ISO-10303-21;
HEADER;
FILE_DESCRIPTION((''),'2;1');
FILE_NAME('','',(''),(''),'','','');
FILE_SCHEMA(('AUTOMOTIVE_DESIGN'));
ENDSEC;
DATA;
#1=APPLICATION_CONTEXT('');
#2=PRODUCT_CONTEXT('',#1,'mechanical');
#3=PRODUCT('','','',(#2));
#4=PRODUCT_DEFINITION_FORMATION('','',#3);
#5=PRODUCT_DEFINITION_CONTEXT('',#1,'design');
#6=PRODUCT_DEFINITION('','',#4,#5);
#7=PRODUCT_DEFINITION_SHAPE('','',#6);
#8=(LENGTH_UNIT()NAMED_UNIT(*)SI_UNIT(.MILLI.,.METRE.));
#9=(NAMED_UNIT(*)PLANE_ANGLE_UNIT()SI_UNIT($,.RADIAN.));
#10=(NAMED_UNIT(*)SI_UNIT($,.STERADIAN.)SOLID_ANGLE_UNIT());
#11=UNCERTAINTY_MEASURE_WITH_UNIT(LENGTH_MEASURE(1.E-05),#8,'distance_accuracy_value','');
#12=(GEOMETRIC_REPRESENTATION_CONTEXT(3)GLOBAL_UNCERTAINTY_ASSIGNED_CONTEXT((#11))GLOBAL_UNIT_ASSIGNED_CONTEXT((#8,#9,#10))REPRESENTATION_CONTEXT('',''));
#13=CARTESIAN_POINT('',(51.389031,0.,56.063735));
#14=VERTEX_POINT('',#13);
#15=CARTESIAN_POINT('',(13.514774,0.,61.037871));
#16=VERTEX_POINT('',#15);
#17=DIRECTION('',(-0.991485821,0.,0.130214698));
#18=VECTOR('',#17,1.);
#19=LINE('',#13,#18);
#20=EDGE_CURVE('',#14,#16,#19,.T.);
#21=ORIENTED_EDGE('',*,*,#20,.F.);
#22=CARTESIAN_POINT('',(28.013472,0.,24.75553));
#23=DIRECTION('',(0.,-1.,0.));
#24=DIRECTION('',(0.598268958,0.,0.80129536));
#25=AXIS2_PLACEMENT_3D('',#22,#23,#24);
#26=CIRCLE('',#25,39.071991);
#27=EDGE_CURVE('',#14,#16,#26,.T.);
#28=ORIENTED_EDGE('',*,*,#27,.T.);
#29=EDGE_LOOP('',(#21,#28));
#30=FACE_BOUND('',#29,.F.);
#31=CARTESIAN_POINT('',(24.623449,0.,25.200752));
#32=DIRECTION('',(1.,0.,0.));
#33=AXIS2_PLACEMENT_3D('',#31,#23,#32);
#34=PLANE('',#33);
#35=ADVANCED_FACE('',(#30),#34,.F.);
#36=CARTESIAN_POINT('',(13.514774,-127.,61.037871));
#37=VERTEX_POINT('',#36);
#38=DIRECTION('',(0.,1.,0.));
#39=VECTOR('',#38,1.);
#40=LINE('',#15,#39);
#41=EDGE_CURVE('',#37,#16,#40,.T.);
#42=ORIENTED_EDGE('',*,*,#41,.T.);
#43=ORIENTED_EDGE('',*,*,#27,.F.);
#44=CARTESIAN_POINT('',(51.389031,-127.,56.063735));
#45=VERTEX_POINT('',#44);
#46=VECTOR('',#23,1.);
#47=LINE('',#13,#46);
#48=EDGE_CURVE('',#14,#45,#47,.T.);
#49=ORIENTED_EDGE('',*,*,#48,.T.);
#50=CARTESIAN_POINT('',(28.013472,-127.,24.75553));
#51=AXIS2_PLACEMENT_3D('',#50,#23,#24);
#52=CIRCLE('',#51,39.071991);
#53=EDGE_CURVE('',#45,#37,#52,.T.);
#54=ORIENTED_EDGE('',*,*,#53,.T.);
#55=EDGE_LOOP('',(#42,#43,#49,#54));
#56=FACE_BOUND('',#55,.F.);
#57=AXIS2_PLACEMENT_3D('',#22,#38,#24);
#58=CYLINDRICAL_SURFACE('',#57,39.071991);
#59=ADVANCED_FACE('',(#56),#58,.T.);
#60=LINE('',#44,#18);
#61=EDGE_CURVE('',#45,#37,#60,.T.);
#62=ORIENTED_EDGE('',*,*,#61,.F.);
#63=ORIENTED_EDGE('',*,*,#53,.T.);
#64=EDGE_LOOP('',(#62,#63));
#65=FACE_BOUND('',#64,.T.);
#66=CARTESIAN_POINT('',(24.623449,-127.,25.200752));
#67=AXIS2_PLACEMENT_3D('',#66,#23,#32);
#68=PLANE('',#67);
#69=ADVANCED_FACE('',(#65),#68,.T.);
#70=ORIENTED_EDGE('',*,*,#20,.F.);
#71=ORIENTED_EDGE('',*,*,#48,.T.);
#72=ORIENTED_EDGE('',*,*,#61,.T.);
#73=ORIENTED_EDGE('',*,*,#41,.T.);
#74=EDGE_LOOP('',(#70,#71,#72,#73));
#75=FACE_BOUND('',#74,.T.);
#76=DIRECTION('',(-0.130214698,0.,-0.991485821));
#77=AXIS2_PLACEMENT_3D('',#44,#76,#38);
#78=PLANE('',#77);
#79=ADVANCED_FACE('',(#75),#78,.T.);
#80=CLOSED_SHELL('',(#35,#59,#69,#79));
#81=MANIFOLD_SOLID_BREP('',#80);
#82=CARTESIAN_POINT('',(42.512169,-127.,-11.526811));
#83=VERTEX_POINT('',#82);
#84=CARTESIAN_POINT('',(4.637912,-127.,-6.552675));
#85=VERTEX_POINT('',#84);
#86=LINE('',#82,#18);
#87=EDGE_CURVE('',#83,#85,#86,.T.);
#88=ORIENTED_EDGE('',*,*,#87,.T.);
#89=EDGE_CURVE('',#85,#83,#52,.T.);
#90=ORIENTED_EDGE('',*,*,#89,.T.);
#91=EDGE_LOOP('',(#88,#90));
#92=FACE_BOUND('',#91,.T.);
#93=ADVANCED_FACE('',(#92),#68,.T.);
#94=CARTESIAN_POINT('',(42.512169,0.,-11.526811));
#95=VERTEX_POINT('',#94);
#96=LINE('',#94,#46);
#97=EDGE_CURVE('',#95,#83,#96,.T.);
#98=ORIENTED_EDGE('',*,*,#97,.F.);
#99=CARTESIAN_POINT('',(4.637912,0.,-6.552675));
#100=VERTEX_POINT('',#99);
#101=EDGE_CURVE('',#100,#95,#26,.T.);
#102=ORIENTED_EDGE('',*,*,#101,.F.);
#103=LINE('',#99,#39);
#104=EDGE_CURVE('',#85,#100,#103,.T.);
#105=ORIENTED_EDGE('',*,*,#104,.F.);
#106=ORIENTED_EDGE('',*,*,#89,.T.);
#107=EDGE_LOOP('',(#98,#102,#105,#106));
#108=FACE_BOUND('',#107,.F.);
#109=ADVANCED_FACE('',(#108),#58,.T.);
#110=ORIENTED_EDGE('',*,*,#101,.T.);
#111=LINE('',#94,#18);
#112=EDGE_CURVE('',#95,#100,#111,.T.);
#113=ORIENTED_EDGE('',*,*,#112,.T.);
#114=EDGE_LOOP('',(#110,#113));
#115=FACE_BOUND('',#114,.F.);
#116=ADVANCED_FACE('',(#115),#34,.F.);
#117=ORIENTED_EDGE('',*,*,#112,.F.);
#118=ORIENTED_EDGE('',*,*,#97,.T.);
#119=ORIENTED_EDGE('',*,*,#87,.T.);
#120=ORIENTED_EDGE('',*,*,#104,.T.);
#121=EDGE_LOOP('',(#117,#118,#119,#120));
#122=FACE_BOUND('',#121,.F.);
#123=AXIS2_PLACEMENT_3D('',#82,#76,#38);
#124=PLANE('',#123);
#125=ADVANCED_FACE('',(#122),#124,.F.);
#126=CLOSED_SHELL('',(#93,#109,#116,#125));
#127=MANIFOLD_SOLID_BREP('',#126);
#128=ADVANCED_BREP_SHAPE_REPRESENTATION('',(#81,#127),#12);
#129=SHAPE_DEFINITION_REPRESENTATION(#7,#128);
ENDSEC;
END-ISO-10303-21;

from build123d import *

# Parameters (mm, degrees)
F1_DEPTH = 127
F2_W     = 127
F2_H     = 68.1709660135
F3_DEPTH = 58.1727384787


with BuildPart() as f1:
    # F0 (on Front) → F1 (new body)
    with BuildSketch(Plane.XZ):
        with BuildLine():
            Line((42.5121692309, -11.5268108506), (51.3890309777, 56.0637353281))
            ThreePointArc((51.3890309777, 56.0637353281), (-10.7258537568, 29.8432775926), (42.5121692309, -11.5268108506))
        make_face()
    extrude(amount=F1_DEPTH)

    # F2 (on face) → F3 (cut, through all)
    with BuildSketch(Plane(origin=(43.2795192686, 0, -5.6840243308), x_dir=(0, 1, 0), z_dir=(0.9914858206, 0, -0.1302146979))):
        with Locations((-63.5, 28.1925227662)):
            Rectangle(F2_W, F2_H)
        with BuildLine():
            ThreePointArc((-87.3357319513, 29.1190243077), (-47.7013061981, 44.7384004713), (-78.4342339305, 15.2368789933))
            ThreePointArc((-78.4342339305, 15.2368789933), (-81.5932188788, 23.0062555604), (-87.3357319513, 29.1190243077))
        make_face(mode=Mode.SUBTRACT)
        with BuildLine():
            ThreePointArc((-87.3357319513, 29.1190243077), (-81.5932188788, 23.0062555604), (-78.4342339305, 15.2368789933))
            ThreePointArc((-78.4342339305, 15.2368789933), (-47.7013061981, 44.7384004713), (-87.3357319513, 29.1190243077))
        make_face()
    extrude(amount=-F3_DEPTH, mode=Mode.SUBTRACT)


solid = f1.part
